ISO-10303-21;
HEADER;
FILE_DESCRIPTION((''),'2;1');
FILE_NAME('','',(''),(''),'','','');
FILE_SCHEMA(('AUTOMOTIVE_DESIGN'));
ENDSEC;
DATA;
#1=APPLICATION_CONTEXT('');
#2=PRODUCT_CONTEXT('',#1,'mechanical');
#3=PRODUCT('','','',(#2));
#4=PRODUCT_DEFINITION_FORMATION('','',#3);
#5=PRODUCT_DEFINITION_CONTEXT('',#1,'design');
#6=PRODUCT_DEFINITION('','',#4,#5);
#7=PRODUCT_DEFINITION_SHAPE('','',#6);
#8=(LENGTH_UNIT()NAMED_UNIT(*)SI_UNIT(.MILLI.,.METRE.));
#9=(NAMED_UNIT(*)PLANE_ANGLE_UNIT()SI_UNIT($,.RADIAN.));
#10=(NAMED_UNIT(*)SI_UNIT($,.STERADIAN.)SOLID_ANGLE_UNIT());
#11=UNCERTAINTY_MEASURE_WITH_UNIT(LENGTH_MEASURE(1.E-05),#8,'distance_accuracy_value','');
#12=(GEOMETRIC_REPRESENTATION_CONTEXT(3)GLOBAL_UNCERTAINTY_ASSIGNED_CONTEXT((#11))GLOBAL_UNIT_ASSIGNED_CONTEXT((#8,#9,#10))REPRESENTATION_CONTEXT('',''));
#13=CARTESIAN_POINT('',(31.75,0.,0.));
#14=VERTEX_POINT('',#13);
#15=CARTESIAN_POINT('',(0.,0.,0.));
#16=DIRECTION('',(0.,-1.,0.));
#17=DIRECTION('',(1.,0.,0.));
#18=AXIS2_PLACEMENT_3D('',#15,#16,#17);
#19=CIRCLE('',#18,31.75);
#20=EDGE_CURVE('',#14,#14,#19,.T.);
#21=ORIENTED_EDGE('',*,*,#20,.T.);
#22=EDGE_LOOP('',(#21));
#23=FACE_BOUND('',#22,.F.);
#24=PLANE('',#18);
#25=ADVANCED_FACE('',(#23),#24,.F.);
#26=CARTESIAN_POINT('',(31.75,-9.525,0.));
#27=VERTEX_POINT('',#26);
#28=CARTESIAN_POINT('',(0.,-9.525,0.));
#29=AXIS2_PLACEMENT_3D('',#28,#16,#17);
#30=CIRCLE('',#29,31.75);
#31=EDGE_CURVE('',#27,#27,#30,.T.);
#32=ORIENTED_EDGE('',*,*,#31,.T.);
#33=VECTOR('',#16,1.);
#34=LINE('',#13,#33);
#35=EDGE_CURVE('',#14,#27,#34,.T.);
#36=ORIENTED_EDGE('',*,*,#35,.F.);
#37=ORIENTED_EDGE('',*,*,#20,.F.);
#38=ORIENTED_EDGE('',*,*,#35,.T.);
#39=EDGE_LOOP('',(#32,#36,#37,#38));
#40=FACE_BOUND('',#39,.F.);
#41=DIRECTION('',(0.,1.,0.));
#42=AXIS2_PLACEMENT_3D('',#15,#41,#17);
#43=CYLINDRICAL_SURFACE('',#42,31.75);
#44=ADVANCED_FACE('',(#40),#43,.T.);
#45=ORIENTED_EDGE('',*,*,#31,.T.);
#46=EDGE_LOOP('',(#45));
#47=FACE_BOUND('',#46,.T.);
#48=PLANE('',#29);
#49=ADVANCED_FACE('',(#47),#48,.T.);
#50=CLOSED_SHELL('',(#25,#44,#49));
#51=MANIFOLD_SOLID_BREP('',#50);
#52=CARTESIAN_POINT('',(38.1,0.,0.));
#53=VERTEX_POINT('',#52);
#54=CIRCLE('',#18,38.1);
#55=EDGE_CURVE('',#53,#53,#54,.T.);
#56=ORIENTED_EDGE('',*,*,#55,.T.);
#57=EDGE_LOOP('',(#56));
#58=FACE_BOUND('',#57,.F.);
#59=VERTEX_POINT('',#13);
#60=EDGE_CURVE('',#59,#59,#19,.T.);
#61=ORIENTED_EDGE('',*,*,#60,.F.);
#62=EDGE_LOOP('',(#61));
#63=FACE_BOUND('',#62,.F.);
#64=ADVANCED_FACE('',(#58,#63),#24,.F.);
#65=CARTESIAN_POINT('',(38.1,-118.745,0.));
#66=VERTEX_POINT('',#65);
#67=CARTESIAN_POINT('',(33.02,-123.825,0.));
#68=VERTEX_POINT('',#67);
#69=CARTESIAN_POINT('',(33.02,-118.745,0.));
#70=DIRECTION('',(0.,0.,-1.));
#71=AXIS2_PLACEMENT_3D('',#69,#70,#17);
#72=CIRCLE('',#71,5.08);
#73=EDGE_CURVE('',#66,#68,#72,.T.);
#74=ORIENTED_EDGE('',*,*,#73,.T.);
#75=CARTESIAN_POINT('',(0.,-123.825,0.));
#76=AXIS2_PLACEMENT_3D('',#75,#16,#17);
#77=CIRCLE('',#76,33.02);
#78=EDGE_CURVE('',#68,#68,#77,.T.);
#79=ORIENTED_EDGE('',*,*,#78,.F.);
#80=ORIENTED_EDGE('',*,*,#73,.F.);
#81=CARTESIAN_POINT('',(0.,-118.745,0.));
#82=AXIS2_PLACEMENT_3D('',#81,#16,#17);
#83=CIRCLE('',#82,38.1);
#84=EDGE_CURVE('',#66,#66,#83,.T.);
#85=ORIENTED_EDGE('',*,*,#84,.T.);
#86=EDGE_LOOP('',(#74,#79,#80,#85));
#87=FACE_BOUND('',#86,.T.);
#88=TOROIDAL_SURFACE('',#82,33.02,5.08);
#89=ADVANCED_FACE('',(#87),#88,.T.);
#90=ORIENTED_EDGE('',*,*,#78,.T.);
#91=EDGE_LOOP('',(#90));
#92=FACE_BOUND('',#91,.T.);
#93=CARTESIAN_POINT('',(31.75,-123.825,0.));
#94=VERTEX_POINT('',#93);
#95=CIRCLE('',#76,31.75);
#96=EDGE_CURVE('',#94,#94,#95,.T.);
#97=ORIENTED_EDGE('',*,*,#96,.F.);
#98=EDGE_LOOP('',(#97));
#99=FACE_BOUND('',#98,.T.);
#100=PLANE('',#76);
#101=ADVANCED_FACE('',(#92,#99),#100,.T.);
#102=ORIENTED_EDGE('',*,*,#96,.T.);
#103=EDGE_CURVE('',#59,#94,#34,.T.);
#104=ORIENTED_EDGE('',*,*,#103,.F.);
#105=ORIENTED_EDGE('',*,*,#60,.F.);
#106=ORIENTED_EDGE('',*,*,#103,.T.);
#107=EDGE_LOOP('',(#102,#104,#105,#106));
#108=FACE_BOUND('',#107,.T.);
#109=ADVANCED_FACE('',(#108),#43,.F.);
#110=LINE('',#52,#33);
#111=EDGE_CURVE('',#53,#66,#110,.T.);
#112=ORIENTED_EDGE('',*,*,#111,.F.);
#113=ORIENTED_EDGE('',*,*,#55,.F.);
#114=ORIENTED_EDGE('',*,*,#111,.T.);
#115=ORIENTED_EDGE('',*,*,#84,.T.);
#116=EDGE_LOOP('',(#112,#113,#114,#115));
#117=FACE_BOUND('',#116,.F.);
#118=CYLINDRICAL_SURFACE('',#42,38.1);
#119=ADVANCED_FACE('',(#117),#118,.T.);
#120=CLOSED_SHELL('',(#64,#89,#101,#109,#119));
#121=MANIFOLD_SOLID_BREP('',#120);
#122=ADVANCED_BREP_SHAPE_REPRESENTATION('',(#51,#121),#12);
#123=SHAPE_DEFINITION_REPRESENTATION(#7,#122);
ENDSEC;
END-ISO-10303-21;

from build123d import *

# Parameters (mm, degrees)
F0_R     = 38.1
F0_R_2   = 31.75
F1_DEPTH = 123.825
F2_DEPTH = 9.525
F3_R     = 5.08


with BuildPart() as f1:
    # F0 (on Front) → F1 (new body)
    with BuildSketch(Plane.XZ):
        Circle(F0_R)
        Circle(F0_R_2, mode=Mode.SUBTRACT)
    extrude(amount=F1_DEPTH)

    # F3
    f3_edges = [f1.edges().sort_by_distance(p)[0] for p in [
        (-38.1, -123.825, 0),
    ]]
    fillet(f3_edges, radius=F3_R)


with BuildPart() as f2:
    # F0 (on Front) → F2 (new body)
    with BuildSketch(Plane.XZ):
        Circle(F0_R_2)
    extrude(amount=F2_DEPTH)


solid = Compound([f1.part, f2.part])
